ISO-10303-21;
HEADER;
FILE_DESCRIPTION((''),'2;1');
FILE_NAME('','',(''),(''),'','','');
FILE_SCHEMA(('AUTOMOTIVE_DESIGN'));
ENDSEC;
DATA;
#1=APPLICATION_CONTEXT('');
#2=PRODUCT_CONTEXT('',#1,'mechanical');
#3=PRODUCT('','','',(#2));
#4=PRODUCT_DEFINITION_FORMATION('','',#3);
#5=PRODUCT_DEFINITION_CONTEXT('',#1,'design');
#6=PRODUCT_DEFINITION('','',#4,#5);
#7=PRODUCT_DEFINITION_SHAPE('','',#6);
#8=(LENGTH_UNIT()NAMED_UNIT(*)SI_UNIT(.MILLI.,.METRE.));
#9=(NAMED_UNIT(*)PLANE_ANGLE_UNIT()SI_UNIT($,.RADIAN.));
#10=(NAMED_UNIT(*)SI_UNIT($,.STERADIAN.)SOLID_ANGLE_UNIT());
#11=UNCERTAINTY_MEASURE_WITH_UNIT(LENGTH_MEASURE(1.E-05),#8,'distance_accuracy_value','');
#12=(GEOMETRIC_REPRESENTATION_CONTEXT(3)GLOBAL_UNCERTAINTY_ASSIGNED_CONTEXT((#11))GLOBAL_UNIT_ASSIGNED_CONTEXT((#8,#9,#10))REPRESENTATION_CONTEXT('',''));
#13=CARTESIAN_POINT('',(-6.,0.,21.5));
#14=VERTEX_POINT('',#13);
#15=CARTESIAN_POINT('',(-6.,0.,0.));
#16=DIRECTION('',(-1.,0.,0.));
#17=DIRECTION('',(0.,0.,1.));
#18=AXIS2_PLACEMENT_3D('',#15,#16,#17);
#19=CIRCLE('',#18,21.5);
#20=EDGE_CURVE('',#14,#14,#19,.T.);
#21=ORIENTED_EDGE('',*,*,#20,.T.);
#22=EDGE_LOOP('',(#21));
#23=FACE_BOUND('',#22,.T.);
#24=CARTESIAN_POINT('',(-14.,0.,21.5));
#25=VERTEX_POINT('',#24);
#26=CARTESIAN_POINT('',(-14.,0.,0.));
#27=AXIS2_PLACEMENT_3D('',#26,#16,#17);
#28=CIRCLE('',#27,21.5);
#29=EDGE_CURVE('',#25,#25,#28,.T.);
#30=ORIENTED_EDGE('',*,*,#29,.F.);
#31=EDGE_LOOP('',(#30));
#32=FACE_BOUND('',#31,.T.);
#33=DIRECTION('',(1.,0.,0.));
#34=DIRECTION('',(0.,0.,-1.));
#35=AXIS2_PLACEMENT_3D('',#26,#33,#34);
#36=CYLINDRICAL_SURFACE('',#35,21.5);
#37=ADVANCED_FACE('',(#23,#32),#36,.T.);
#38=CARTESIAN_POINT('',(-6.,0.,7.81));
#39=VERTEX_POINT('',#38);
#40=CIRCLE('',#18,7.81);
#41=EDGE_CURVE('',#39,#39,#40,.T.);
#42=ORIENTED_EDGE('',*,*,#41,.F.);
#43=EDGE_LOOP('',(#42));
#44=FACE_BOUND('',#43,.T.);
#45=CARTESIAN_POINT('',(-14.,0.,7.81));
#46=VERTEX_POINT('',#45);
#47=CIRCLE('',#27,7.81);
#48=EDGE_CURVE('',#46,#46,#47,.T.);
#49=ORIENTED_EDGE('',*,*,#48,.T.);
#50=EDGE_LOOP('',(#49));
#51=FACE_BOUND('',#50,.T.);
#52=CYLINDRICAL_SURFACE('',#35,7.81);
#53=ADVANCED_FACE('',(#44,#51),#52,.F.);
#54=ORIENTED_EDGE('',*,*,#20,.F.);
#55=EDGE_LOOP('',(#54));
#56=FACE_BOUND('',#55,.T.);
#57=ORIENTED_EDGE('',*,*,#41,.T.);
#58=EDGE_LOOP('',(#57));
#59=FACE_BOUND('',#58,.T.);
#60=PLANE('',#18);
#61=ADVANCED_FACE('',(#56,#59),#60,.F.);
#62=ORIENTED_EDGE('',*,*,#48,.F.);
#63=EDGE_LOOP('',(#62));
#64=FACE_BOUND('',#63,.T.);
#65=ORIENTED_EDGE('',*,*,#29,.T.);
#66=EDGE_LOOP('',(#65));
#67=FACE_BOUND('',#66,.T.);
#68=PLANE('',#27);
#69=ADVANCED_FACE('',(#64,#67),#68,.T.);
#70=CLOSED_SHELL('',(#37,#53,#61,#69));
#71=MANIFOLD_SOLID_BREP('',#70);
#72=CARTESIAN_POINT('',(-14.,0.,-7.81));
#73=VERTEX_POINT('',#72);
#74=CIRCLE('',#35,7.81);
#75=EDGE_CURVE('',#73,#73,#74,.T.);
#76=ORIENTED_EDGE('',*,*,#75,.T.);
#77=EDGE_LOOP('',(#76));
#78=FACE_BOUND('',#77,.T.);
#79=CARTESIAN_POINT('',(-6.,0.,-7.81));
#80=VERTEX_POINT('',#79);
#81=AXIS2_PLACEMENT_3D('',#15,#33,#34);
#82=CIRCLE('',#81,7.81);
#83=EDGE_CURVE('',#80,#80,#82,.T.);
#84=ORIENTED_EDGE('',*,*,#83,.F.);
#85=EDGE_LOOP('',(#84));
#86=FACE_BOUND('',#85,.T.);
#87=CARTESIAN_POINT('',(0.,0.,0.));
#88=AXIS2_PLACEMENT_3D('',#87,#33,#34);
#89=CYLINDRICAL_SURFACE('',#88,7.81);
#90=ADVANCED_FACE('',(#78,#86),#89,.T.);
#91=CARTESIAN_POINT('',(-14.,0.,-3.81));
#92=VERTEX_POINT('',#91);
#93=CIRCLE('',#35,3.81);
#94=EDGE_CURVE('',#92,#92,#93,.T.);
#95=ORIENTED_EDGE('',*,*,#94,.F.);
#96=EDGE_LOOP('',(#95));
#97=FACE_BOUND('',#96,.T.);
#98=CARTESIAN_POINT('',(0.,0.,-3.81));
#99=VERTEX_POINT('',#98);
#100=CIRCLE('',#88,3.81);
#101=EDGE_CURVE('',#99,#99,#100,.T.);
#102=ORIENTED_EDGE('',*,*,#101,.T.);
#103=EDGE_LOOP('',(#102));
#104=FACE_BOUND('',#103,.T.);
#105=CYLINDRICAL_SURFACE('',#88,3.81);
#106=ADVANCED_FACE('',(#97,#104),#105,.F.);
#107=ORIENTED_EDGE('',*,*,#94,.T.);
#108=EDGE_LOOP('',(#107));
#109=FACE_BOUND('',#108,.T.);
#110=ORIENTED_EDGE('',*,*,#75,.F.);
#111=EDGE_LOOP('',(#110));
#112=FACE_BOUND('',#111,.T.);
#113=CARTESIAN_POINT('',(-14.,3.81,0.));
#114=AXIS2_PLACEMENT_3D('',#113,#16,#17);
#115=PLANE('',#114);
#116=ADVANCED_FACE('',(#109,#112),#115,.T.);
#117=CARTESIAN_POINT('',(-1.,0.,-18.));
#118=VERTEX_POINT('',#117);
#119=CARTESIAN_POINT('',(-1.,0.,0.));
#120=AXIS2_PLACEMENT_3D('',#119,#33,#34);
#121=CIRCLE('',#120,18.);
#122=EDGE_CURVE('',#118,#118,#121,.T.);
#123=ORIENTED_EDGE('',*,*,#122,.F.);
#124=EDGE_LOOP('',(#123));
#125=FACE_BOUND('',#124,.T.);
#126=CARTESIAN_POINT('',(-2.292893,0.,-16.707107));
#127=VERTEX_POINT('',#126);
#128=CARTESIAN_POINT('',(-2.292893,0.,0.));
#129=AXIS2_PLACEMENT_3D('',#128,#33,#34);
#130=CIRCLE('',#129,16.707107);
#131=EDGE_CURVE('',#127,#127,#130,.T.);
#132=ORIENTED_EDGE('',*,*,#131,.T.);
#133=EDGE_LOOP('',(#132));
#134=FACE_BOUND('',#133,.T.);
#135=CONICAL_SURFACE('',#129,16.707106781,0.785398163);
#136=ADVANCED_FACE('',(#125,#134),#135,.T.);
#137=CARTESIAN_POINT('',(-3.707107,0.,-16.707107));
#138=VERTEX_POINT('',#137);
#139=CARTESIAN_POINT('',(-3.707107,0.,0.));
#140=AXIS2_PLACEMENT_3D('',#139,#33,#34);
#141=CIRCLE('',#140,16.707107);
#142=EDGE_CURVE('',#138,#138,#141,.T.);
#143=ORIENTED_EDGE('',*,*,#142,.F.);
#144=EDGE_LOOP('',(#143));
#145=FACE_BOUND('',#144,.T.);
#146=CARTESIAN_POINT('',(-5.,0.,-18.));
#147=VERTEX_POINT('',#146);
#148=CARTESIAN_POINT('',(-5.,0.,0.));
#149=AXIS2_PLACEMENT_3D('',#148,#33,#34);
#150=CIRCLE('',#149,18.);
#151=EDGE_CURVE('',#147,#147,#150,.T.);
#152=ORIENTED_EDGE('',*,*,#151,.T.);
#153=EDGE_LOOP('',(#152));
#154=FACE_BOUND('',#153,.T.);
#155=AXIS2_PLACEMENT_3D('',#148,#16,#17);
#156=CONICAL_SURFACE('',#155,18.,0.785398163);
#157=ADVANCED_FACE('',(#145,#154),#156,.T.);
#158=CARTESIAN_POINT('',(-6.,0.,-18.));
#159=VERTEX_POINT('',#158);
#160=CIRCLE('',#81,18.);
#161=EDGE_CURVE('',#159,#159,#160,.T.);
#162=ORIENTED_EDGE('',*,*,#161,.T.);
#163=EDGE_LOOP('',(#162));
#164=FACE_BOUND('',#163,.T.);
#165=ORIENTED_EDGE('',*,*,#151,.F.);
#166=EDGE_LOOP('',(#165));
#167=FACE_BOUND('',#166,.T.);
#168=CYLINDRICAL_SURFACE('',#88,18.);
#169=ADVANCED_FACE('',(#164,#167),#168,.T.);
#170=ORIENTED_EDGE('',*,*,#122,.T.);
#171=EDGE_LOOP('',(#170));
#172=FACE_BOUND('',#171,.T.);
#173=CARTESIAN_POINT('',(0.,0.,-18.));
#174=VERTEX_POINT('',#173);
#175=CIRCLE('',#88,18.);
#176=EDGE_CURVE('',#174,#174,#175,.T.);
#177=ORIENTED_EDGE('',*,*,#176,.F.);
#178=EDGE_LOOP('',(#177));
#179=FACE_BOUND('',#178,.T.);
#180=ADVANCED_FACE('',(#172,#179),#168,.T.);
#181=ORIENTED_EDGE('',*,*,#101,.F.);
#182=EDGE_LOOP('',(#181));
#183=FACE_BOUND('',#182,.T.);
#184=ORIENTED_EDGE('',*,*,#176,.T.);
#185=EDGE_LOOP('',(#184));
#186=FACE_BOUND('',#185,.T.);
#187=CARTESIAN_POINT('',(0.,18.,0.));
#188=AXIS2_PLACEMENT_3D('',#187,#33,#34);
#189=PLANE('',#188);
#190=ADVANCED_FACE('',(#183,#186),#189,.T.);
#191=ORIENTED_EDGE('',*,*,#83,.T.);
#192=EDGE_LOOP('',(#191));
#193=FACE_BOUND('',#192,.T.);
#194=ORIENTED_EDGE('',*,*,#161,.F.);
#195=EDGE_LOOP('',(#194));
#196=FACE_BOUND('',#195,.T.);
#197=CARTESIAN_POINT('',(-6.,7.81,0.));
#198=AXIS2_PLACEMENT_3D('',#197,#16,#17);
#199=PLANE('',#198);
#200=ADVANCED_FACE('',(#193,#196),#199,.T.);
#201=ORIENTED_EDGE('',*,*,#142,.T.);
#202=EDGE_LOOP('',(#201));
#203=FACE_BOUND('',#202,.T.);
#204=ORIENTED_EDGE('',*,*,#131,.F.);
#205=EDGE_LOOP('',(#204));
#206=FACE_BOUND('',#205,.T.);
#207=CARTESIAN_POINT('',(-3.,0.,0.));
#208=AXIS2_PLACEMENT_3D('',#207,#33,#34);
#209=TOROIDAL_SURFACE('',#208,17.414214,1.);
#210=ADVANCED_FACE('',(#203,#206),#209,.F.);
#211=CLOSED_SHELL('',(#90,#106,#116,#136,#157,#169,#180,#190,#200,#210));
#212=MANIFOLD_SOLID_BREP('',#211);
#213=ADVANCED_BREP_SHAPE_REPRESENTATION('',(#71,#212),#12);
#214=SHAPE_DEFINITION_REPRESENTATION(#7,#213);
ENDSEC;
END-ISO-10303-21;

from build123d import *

# Parameters (mm, degrees)
SKETCH3_R           = 21.5
SKETCH3_R_2         = 7.81
BOSS_EXTRUDE1_DEPTH = 8


with BuildPart() as part:
    # Sketch1 → Revolve1 (revolve)
    with BuildSketch(Plane.XY, mode=Mode.PRIVATE) as revolve1_sk:
        Polygon((0, 3.81), (-14, 3.81), (-14, 7.81), (-6, 7.81), (-6, 18), (0, 18), align=None)
    revolve(revolve1_sk.sketch.rotate(Axis((0, 0, 0), (-1, 0, 0)), 90), axis=Axis((0, 0, 0), (-1, 0, 0)))

    # Sketch2 → Cut-Revolve1 (revolve, cut)
    with BuildSketch(Plane(origin=(0, 0, 0), x_dir=(1, 0, 0), z_dir=(0, 1, 0))):
        with BuildLine():
            Line((-5, 18), (-3.707106781, 16.707106781))
            ThreePointArc((-3.707106781, 16.707106781), (-3, 16.414213562), (-2.292893219, 16.707106781))
            Line((-2.292893219, 16.707106781), (-1, 18))
            Line((-1, 18), (-5, 18))
        make_face()
    revolve(axis=Axis((0, 0, 0), (-1, 0, 0)), mode=Mode.SUBTRACT)


with BuildPart() as body_2:
    # Sketch3 → Boss-Extrude1 (new body)
    with BuildSketch(Plane.ZY.offset(6)):
        Circle(SKETCH3_R)
        Circle(SKETCH3_R_2, mode=Mode.SUBTRACT)
    extrude(amount=BOSS_EXTRUDE1_DEPTH)


solid = Compound([part.part, body_2.part])
